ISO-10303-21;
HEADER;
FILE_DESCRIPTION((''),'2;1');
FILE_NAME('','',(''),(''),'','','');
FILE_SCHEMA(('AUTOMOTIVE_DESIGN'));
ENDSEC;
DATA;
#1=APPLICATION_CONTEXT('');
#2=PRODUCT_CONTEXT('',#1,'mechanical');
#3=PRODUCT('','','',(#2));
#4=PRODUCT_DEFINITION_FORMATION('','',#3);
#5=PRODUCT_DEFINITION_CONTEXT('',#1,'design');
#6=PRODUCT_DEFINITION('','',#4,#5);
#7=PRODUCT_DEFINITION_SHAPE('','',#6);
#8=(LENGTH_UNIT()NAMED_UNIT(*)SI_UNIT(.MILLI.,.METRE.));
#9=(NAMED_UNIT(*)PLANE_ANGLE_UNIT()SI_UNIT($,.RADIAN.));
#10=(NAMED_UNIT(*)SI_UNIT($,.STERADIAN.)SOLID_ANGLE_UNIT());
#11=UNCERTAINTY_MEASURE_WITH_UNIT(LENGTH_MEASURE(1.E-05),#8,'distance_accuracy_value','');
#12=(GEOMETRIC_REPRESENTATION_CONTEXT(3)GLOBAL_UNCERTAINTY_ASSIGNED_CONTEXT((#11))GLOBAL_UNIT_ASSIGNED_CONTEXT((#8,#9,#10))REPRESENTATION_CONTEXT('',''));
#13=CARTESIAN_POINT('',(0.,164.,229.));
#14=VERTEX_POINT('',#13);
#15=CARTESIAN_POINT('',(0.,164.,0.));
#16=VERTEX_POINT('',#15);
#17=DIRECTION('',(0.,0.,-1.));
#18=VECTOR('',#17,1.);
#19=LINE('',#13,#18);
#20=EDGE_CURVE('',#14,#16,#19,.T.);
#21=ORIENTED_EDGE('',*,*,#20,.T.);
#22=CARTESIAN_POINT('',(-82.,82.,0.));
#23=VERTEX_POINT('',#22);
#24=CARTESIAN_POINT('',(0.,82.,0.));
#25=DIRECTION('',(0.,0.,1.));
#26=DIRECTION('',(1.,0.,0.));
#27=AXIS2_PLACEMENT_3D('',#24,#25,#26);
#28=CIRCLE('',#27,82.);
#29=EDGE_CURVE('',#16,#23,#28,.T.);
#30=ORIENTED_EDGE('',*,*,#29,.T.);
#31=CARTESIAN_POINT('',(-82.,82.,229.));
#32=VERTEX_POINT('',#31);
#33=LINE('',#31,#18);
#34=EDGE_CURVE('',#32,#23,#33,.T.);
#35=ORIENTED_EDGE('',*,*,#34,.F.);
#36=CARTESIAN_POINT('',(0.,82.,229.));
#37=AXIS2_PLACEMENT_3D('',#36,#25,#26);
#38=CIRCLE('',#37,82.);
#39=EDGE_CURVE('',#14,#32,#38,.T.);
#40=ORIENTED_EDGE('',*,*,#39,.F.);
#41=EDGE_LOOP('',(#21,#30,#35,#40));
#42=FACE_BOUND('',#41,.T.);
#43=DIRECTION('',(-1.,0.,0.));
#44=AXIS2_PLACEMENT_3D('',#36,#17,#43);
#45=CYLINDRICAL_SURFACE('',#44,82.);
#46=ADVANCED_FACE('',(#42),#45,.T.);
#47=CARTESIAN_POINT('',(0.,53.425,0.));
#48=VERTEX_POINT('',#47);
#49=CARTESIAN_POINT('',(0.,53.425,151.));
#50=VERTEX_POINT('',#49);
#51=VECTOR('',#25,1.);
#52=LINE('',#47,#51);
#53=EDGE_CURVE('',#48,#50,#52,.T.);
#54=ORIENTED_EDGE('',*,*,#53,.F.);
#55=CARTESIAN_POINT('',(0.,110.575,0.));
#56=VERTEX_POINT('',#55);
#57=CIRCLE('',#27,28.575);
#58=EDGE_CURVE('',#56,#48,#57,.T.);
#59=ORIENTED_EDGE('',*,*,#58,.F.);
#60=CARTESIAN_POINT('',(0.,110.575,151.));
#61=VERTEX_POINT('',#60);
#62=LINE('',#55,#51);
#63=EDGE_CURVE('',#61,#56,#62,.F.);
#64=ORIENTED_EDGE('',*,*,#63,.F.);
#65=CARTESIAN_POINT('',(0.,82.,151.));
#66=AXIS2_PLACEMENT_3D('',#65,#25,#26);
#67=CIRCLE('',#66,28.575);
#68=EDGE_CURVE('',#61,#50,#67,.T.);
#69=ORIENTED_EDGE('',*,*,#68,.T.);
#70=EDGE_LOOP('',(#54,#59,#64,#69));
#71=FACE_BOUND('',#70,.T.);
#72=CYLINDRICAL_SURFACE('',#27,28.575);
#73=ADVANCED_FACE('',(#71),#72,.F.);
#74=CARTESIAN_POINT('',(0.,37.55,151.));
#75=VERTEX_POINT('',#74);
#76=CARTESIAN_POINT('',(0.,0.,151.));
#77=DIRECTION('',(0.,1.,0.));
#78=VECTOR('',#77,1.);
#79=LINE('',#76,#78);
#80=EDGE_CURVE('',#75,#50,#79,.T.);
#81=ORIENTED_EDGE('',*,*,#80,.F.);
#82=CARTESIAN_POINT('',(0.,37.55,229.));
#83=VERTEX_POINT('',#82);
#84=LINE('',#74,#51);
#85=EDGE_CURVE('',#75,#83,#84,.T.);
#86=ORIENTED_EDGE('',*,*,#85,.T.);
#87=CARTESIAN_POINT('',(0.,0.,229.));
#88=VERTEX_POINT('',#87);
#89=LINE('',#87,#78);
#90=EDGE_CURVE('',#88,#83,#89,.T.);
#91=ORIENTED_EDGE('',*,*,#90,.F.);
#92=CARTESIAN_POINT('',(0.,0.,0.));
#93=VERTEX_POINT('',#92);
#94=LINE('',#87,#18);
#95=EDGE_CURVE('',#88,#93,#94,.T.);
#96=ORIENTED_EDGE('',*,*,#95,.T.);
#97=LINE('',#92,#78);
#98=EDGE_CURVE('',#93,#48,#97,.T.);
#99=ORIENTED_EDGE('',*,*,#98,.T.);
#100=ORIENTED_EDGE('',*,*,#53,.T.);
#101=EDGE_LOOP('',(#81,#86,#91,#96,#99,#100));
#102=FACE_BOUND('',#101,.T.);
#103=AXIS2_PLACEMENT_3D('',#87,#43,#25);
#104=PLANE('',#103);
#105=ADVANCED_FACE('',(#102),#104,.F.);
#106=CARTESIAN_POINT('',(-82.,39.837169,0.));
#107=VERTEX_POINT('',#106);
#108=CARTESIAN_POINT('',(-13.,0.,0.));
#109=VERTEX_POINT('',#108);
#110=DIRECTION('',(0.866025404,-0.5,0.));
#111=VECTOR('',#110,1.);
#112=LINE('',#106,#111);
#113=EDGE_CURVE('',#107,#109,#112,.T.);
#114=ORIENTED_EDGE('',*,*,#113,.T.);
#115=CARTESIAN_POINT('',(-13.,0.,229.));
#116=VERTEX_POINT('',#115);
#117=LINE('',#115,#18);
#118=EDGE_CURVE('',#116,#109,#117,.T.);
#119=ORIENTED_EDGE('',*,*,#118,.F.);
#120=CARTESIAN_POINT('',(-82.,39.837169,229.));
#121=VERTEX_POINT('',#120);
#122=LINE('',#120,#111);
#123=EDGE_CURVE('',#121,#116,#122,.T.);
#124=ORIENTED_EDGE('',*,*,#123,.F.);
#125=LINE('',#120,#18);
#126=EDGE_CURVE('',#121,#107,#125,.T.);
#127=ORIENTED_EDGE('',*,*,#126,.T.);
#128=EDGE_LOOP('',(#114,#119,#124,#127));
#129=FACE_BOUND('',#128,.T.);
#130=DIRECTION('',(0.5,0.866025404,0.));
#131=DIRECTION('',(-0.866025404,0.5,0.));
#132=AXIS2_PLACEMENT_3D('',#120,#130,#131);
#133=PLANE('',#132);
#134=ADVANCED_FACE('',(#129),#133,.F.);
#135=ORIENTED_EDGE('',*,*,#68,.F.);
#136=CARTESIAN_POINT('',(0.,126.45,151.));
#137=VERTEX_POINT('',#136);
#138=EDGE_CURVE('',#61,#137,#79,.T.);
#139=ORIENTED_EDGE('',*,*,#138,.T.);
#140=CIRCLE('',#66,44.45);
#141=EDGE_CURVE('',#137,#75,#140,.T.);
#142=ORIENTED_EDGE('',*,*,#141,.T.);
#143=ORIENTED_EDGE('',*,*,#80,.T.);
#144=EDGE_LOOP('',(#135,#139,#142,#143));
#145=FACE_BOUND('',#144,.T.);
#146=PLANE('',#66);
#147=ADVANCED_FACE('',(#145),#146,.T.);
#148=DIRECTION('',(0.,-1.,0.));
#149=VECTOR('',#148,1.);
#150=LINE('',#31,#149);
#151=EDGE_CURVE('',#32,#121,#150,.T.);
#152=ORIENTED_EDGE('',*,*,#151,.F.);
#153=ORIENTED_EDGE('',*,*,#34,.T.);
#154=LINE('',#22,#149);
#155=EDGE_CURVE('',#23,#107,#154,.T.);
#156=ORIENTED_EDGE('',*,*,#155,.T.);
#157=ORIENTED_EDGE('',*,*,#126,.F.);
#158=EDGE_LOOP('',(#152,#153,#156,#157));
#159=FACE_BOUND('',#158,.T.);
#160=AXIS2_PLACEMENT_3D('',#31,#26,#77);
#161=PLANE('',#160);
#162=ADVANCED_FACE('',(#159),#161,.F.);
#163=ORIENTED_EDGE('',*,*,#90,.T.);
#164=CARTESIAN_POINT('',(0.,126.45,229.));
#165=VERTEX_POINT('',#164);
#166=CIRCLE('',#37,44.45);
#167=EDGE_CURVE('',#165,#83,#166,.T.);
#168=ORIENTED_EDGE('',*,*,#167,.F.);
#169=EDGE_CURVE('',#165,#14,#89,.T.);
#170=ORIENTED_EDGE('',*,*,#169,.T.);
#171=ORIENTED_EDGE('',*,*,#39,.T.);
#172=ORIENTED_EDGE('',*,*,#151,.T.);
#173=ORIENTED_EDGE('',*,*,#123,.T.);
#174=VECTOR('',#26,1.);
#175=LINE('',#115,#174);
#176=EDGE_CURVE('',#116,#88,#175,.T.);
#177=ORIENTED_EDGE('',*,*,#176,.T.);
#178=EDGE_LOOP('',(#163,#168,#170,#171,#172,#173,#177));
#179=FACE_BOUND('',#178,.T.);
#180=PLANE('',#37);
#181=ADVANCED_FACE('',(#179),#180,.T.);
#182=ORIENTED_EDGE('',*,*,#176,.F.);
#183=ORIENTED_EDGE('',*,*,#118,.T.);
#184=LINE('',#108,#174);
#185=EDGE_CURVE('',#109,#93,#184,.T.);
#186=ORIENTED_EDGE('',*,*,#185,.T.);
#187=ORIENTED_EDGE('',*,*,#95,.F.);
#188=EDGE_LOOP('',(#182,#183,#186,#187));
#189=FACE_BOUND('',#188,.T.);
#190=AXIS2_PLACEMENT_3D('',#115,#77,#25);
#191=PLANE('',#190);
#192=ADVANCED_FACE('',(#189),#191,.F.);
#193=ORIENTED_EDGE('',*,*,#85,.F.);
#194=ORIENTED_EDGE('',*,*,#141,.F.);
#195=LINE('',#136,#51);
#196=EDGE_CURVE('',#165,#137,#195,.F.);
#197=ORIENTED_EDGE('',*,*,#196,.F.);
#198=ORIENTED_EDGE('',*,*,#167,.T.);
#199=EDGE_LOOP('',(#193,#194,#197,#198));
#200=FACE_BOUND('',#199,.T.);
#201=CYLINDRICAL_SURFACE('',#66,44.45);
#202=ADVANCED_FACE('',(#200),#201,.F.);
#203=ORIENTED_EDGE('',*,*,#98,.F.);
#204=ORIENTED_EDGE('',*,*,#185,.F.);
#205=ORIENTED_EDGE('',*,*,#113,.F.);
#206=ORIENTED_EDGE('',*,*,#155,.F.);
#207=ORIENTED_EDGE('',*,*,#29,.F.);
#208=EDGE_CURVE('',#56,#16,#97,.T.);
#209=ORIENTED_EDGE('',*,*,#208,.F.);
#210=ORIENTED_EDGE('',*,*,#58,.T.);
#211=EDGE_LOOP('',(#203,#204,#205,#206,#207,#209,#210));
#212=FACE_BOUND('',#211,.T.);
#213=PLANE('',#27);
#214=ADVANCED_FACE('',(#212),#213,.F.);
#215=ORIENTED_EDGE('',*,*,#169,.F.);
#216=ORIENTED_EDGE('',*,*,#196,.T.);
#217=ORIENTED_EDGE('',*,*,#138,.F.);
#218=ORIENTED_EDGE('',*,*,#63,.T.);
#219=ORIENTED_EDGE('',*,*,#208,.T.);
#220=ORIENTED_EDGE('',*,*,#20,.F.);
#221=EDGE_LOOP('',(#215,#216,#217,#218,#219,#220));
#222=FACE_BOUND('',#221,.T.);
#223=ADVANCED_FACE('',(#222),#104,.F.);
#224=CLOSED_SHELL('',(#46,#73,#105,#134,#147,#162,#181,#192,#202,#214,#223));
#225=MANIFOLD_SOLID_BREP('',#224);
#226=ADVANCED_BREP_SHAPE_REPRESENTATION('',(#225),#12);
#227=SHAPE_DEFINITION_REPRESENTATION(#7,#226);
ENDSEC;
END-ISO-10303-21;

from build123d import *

# Parameters (mm, degrees)
BOSS_EXTRUDE1_DEPTH = 229
SKETCH3_R           = 44.45
CUT_EXTRUDE1_DEPTH  = 78
SKETCH4_R           = 28.575
CUT_EXTRUDE2_DEPTH  = 238.531050602


with BuildPart() as part:
    # Sketch2 → Boss-Extrude1 (new body)
    with BuildSketch(Plane.XY):
        with BuildLine():
            Line((0, 0), (0, 164))
            ThreePointArc((0, 164), (-57.982756057, 139.982756057), (-82, 82))
            Line((-82, 82), (-82, 39.837168574))
            Line((-82, 39.837168574), (-13, 0))
            Line((-13, 0), (0, 0))
        make_face()
    extrude(amount=BOSS_EXTRUDE1_DEPTH)

    # Sketch3 → Cut-Extrude1 (cut)
    with BuildSketch(Plane.XY.offset(229)):
        with Locations((0, 82)):
            Circle(SKETCH3_R)
    extrude(amount=-CUT_EXTRUDE1_DEPTH, mode=Mode.SUBTRACT)

    # Sketch4 → Cut-Extrude2 (cut, through all)
    with BuildSketch(Plane.XY.offset(151)):
        with Locations((0, 82)):
            Circle(SKETCH4_R)
    extrude(amount=-CUT_EXTRUDE2_DEPTH, mode=Mode.SUBTRACT)


solid = part.part
